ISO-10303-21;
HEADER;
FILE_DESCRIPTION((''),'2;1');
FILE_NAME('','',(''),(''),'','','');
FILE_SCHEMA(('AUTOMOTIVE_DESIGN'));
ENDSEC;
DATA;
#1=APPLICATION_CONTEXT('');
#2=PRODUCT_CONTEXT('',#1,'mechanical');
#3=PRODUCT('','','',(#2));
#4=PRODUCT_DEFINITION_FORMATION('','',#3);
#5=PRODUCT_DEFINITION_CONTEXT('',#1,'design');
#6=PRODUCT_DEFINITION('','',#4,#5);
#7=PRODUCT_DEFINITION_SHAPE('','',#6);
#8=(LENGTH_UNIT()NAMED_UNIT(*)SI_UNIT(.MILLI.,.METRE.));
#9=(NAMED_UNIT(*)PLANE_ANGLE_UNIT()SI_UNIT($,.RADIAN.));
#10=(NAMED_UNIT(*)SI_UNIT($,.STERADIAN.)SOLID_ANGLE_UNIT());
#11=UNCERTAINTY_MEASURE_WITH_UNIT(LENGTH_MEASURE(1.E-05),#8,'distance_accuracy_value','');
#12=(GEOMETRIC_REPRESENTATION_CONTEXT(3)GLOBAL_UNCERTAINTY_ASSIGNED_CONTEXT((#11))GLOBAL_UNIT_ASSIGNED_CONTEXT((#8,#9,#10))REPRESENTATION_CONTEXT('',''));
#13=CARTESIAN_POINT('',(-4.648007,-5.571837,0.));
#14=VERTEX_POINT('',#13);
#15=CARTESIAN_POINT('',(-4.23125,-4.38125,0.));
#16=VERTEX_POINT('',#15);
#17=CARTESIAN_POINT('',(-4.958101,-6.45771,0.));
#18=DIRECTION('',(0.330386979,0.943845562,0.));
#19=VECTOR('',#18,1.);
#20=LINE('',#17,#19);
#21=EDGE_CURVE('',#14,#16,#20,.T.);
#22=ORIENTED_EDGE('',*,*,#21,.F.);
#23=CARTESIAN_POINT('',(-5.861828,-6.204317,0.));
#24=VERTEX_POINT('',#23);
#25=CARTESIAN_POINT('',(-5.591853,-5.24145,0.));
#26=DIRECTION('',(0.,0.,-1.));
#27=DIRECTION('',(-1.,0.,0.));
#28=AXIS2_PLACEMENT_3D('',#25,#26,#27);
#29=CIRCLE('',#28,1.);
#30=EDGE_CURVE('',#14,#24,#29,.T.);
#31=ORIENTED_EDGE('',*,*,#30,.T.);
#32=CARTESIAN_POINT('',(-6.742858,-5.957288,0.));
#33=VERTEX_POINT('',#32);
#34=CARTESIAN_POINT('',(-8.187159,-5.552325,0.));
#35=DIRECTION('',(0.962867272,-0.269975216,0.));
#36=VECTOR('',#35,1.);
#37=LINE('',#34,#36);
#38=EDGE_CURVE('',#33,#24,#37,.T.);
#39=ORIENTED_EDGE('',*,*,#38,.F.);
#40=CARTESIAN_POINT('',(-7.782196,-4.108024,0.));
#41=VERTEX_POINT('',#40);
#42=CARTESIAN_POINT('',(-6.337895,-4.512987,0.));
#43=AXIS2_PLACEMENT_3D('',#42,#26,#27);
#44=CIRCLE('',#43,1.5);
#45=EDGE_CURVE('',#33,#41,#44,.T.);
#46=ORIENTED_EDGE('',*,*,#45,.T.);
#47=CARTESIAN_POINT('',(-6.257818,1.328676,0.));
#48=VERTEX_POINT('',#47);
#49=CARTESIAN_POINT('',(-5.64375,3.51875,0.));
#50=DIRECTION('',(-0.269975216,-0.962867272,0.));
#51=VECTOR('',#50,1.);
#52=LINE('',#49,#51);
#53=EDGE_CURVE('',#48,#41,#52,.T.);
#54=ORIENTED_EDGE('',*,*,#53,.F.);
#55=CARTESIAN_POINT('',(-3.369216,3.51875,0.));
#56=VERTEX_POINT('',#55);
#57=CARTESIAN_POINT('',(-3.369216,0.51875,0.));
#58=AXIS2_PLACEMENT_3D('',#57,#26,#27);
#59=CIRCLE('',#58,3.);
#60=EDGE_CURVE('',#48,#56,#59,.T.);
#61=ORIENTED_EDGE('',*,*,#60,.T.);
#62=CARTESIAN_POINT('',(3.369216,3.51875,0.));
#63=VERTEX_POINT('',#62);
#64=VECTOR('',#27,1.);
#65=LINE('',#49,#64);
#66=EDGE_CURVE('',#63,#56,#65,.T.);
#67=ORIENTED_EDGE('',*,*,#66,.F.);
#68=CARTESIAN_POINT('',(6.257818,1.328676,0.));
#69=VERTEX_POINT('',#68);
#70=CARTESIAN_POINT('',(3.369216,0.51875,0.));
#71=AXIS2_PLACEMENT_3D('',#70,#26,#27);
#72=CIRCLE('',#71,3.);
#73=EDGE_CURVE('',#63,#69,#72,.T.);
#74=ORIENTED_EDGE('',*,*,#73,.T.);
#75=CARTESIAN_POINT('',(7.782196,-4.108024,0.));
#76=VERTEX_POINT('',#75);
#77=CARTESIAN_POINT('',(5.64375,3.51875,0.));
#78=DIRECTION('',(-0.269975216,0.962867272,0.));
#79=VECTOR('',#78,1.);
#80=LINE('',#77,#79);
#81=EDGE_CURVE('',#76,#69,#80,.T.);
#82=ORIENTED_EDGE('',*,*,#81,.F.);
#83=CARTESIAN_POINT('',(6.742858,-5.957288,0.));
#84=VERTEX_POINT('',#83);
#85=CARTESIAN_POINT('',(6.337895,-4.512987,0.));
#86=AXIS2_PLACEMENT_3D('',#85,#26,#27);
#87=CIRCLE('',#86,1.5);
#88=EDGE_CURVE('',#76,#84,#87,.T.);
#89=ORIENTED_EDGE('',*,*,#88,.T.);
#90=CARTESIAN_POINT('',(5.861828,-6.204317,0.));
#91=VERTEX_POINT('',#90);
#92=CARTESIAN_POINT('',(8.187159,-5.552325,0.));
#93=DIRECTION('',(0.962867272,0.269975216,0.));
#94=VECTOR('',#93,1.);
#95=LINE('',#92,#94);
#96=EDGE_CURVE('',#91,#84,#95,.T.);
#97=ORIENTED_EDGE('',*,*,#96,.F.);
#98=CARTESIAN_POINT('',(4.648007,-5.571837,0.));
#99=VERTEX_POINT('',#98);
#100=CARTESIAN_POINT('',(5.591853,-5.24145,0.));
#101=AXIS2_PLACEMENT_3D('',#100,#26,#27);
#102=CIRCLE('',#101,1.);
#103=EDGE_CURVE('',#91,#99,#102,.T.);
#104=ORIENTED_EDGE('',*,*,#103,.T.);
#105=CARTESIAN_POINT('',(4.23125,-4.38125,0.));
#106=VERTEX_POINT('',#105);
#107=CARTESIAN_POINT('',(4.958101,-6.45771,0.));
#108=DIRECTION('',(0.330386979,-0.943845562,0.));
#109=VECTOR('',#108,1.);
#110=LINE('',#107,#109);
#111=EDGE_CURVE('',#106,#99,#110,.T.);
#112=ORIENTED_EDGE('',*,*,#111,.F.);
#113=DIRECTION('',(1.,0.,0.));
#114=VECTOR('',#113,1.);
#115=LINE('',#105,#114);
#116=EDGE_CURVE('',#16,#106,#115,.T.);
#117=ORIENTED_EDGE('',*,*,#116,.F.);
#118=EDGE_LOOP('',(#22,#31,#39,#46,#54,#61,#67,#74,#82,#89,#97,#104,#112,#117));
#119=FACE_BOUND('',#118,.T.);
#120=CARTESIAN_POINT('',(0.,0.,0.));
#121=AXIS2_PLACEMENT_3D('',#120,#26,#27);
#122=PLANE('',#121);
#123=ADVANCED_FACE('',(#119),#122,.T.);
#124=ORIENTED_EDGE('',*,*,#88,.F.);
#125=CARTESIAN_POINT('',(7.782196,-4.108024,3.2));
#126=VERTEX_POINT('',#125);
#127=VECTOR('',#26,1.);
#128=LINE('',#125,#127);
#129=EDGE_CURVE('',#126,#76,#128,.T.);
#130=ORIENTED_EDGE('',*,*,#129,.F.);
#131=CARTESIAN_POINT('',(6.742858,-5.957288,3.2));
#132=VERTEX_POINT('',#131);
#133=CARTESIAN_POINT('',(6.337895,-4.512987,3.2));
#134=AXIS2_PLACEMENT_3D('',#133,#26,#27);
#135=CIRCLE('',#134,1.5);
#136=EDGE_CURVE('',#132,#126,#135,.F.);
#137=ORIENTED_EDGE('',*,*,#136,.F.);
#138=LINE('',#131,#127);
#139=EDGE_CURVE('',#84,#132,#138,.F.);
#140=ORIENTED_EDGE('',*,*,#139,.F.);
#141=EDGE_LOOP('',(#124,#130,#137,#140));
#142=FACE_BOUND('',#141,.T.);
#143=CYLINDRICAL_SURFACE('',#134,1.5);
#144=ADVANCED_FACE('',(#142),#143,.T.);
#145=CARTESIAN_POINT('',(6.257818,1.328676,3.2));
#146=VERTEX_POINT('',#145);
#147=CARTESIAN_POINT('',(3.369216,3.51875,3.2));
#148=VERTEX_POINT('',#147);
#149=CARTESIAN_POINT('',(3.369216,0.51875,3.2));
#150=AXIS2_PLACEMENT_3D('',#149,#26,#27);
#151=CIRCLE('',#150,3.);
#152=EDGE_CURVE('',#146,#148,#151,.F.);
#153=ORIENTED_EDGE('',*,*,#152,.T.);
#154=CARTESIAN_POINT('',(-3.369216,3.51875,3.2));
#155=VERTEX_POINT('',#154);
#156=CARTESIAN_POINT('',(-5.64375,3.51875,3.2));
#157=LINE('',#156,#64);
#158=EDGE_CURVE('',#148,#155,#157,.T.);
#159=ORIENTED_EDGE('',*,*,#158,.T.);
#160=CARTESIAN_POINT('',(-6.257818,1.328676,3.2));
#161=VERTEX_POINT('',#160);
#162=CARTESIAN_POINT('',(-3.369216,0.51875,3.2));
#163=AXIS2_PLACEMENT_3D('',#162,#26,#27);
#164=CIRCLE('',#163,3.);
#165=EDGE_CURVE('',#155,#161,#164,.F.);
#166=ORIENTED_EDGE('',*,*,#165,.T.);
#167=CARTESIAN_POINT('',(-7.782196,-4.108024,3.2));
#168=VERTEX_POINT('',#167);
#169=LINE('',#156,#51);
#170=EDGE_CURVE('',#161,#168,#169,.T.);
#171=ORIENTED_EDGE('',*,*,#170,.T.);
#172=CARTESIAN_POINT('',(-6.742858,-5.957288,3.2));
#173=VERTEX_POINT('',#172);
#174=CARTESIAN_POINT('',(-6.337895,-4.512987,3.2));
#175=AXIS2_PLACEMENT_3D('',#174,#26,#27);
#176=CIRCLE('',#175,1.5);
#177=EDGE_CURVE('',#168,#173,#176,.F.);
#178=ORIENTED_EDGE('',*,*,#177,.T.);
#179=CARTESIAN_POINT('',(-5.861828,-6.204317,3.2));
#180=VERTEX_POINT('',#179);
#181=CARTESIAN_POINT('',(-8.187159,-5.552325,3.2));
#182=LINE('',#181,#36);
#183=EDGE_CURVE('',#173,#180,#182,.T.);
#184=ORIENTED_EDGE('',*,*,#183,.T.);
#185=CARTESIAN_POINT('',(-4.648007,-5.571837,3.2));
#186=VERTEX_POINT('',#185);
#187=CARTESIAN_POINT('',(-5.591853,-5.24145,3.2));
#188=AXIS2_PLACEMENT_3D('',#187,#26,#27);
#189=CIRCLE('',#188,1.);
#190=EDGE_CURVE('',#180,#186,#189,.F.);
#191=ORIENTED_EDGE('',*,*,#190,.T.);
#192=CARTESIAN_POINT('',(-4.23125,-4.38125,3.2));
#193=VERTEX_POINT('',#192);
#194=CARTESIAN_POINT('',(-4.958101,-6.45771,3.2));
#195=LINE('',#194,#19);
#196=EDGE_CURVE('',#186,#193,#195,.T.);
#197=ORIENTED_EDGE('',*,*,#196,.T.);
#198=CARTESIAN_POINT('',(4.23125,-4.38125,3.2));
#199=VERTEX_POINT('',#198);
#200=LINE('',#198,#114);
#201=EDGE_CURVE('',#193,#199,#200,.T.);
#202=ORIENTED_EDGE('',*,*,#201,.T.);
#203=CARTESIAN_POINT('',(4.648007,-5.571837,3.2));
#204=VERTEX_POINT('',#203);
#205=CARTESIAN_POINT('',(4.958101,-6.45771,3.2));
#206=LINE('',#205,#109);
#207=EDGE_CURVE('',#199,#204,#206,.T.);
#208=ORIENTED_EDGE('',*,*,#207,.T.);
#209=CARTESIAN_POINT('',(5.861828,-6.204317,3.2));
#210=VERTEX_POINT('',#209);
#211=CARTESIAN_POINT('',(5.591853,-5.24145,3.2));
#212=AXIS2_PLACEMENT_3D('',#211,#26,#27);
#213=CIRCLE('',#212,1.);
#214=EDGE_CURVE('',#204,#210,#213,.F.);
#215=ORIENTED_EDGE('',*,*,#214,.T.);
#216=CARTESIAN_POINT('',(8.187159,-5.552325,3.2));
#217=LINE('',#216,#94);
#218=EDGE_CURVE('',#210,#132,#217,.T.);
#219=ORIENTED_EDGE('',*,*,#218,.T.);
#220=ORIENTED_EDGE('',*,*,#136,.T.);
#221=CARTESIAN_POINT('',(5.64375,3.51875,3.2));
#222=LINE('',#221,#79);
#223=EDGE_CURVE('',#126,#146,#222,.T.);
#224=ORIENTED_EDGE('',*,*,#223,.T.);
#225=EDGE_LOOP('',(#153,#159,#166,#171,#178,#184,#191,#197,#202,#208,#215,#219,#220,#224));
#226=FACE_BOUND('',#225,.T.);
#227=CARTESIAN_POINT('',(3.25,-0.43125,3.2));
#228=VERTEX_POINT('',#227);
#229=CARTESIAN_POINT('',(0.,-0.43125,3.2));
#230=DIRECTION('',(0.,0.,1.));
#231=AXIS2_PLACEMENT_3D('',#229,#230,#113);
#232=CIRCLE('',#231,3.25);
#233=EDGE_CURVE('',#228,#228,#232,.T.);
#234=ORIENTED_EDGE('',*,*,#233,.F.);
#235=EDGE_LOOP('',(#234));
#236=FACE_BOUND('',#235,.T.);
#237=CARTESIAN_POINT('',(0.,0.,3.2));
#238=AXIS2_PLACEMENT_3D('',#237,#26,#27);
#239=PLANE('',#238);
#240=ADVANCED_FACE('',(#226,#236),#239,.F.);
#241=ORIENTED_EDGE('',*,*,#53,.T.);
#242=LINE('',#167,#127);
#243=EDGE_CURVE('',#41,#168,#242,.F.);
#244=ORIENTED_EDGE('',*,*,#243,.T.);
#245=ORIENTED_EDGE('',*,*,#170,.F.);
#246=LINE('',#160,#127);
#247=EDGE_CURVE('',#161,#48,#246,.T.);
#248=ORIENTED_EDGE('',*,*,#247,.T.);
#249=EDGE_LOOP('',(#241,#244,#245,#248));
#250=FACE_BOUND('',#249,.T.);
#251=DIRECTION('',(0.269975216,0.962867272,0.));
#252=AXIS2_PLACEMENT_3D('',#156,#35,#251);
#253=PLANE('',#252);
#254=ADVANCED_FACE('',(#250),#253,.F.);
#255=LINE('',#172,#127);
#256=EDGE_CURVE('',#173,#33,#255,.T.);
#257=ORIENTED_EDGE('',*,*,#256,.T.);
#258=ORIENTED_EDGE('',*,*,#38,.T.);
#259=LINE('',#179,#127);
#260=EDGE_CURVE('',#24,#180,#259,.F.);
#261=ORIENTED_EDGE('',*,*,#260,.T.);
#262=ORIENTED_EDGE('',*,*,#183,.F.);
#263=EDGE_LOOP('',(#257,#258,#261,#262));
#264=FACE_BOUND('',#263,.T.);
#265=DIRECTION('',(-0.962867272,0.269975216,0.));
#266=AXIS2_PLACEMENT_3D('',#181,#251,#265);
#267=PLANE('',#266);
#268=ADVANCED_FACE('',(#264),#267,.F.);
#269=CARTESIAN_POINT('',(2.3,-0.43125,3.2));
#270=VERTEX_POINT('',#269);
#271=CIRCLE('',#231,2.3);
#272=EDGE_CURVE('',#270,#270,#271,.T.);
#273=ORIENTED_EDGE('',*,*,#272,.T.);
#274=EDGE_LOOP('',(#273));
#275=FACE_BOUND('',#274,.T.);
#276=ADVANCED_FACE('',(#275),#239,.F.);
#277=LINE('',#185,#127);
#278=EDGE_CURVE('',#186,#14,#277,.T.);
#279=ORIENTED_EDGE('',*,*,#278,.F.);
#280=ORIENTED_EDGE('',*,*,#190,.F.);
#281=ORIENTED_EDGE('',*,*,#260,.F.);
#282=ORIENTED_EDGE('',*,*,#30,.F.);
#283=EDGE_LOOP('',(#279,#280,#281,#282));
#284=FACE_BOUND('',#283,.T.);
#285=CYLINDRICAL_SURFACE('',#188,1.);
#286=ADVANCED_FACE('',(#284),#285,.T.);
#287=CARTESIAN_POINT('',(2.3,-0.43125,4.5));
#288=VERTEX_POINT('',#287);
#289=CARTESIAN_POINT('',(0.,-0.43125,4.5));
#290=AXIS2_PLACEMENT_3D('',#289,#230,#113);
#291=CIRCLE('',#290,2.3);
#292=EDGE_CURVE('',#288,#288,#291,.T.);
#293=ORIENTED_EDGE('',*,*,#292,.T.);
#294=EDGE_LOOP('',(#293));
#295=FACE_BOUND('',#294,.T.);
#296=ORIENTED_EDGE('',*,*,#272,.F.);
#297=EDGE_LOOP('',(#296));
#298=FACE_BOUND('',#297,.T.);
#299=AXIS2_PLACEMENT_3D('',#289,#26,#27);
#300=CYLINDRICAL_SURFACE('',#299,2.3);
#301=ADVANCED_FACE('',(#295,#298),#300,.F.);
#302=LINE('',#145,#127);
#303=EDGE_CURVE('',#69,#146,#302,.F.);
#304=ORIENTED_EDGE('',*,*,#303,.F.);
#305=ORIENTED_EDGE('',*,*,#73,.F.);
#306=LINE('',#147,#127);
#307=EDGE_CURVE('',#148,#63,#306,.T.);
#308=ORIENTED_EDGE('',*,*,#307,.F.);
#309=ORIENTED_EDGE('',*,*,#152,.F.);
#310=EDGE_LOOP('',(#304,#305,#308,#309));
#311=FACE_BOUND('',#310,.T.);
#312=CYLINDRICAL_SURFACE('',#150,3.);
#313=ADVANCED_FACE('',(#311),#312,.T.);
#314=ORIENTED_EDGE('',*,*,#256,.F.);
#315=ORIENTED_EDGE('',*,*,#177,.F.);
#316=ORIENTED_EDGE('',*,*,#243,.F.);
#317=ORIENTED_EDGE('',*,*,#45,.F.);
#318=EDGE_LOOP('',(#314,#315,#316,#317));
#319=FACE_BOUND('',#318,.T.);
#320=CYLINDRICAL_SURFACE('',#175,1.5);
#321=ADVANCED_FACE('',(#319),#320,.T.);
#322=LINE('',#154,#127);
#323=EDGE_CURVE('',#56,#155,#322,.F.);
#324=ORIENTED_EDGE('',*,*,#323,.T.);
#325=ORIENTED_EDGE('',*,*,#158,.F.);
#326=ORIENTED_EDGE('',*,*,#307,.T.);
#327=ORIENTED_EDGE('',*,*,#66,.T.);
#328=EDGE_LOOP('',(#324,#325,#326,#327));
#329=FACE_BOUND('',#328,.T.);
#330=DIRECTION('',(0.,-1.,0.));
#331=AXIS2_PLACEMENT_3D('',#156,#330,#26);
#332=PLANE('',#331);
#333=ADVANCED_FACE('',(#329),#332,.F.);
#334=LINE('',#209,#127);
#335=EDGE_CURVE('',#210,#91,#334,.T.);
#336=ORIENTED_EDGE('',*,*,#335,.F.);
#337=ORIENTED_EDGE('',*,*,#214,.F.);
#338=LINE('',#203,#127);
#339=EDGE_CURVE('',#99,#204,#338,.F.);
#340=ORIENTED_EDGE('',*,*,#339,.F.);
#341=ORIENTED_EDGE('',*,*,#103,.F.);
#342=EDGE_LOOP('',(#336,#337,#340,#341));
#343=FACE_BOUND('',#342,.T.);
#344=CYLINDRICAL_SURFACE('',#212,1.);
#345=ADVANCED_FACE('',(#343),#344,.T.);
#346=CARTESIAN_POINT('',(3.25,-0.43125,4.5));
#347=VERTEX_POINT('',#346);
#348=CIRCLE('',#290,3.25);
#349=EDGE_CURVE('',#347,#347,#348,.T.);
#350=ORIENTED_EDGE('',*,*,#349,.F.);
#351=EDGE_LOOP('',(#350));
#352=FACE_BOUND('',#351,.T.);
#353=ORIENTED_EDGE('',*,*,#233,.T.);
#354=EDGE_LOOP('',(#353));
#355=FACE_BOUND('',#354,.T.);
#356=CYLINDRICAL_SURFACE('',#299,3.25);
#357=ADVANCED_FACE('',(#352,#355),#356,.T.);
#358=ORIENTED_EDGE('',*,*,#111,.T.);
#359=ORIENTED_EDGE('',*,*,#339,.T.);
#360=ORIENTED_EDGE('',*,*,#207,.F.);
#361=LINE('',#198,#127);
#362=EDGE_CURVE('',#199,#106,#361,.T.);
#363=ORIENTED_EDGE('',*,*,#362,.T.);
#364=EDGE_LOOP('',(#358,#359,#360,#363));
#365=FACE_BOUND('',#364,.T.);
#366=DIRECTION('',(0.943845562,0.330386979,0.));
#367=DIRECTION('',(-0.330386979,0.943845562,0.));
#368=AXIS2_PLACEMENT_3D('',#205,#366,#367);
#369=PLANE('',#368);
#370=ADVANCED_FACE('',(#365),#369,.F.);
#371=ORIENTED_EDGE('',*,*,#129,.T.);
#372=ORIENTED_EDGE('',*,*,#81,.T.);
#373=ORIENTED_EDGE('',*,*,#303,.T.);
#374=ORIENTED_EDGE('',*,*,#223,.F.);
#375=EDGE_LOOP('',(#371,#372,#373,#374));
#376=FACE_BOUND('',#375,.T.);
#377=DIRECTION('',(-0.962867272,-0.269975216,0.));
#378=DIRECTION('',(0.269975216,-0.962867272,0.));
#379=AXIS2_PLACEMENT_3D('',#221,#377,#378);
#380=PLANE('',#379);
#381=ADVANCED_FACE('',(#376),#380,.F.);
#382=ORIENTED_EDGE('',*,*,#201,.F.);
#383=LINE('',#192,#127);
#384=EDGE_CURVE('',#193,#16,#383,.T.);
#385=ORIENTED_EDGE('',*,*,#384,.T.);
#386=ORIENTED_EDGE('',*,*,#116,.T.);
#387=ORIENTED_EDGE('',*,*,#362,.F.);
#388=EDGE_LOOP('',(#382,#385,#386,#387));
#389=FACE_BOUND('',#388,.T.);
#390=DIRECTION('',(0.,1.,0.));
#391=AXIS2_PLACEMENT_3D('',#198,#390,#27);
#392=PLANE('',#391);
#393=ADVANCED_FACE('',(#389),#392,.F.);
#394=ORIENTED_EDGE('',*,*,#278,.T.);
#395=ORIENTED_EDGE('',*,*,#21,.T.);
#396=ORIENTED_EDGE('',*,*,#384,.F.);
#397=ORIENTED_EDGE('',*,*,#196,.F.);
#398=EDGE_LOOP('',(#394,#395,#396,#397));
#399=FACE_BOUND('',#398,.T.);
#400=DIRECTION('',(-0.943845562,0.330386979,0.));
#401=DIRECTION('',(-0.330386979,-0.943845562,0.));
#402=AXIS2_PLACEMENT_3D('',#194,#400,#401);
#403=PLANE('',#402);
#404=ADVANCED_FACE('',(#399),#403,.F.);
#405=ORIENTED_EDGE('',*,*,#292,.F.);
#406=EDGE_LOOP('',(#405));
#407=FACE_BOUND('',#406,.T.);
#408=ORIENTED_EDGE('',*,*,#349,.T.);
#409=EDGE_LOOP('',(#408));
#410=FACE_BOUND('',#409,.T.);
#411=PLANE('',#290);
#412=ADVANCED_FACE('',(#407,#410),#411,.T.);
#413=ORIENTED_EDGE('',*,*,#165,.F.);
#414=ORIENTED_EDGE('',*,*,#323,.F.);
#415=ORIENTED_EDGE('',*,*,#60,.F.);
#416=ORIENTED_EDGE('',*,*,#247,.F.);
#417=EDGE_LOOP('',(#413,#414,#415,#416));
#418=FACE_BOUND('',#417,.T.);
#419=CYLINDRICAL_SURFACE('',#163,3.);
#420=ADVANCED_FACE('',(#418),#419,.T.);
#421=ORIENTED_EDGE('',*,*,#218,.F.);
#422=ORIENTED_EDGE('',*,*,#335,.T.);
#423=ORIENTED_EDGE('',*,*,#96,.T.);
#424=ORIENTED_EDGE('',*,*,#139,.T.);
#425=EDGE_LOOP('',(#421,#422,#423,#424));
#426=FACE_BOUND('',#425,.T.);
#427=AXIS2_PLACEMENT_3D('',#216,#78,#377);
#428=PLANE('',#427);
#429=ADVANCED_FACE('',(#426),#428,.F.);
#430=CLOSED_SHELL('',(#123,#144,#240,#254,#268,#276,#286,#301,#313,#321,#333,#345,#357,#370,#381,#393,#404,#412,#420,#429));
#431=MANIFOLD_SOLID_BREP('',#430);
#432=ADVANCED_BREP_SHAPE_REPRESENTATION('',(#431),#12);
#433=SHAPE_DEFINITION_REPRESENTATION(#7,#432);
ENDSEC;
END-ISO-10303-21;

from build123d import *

# Parameters (mm, degrees)
BOSS_EXTRUDE1_DEPTH = 3.2
SKETCH3_R           = 3.25
SKETCH3_R_2         = 2.3
BOSS_EXTRUDE2_DEPTH = 1.3
FILLET1_R           = 3
FILLET2_R           = 1.5
FILLET3_R           = 1


with BuildPart() as part:
    # Sketch2 → Boss-Extrude1 (new body)
    with BuildSketch(Plane.XY):
        Polygon((-5.64375, 3.51875), (5.64375, 3.51875), (8.187159214, -5.552325228), (4.958101353, -6.457710236), (4.23125, -4.38125), (-4.23125, -4.38125), (-4.958101353, -6.457710236), (-8.187159214, -5.552325228), align=None)
    extrude(amount=BOSS_EXTRUDE1_DEPTH)

    # Sketch3 → Boss-Extrude2 (add)
    with BuildSketch(Plane.XY.offset(3.2)):
        with Locations((0, -0.43125)):
            Circle(SKETCH3_R)
        with Locations((0, -0.43125)):
            Circle(SKETCH3_R_2, mode=Mode.SUBTRACT)
    extrude(amount=BOSS_EXTRUDE2_DEPTH)

    # Fillet1
    fillet1_edges = [part.edges().sort_by_distance(p)[0] for p in [
        (-5.64375, 3.51875, 1.6),
        (5.64375, 3.51875, 1.6),
    ]]
    fillet(fillet1_edges, radius=FILLET1_R)

    # Fillet2
    fillet2_edges = [part.edges().sort_by_distance(p)[0] for p in [
        (8.187159214, -5.552325228, 1.6),
        (-8.187159214, -5.552325228, 1.6),
    ]]
    fillet(fillet2_edges, radius=FILLET2_R)

    # Fillet3
    fillet3_edges = [part.edges().sort_by_distance(p)[0] for p in [
        (4.958101353, -6.457710236, 1.6),
        (-4.958101353, -6.457710236, 1.6),
    ]]
    fillet(fillet3_edges, radius=FILLET3_R)


solid = part.part
